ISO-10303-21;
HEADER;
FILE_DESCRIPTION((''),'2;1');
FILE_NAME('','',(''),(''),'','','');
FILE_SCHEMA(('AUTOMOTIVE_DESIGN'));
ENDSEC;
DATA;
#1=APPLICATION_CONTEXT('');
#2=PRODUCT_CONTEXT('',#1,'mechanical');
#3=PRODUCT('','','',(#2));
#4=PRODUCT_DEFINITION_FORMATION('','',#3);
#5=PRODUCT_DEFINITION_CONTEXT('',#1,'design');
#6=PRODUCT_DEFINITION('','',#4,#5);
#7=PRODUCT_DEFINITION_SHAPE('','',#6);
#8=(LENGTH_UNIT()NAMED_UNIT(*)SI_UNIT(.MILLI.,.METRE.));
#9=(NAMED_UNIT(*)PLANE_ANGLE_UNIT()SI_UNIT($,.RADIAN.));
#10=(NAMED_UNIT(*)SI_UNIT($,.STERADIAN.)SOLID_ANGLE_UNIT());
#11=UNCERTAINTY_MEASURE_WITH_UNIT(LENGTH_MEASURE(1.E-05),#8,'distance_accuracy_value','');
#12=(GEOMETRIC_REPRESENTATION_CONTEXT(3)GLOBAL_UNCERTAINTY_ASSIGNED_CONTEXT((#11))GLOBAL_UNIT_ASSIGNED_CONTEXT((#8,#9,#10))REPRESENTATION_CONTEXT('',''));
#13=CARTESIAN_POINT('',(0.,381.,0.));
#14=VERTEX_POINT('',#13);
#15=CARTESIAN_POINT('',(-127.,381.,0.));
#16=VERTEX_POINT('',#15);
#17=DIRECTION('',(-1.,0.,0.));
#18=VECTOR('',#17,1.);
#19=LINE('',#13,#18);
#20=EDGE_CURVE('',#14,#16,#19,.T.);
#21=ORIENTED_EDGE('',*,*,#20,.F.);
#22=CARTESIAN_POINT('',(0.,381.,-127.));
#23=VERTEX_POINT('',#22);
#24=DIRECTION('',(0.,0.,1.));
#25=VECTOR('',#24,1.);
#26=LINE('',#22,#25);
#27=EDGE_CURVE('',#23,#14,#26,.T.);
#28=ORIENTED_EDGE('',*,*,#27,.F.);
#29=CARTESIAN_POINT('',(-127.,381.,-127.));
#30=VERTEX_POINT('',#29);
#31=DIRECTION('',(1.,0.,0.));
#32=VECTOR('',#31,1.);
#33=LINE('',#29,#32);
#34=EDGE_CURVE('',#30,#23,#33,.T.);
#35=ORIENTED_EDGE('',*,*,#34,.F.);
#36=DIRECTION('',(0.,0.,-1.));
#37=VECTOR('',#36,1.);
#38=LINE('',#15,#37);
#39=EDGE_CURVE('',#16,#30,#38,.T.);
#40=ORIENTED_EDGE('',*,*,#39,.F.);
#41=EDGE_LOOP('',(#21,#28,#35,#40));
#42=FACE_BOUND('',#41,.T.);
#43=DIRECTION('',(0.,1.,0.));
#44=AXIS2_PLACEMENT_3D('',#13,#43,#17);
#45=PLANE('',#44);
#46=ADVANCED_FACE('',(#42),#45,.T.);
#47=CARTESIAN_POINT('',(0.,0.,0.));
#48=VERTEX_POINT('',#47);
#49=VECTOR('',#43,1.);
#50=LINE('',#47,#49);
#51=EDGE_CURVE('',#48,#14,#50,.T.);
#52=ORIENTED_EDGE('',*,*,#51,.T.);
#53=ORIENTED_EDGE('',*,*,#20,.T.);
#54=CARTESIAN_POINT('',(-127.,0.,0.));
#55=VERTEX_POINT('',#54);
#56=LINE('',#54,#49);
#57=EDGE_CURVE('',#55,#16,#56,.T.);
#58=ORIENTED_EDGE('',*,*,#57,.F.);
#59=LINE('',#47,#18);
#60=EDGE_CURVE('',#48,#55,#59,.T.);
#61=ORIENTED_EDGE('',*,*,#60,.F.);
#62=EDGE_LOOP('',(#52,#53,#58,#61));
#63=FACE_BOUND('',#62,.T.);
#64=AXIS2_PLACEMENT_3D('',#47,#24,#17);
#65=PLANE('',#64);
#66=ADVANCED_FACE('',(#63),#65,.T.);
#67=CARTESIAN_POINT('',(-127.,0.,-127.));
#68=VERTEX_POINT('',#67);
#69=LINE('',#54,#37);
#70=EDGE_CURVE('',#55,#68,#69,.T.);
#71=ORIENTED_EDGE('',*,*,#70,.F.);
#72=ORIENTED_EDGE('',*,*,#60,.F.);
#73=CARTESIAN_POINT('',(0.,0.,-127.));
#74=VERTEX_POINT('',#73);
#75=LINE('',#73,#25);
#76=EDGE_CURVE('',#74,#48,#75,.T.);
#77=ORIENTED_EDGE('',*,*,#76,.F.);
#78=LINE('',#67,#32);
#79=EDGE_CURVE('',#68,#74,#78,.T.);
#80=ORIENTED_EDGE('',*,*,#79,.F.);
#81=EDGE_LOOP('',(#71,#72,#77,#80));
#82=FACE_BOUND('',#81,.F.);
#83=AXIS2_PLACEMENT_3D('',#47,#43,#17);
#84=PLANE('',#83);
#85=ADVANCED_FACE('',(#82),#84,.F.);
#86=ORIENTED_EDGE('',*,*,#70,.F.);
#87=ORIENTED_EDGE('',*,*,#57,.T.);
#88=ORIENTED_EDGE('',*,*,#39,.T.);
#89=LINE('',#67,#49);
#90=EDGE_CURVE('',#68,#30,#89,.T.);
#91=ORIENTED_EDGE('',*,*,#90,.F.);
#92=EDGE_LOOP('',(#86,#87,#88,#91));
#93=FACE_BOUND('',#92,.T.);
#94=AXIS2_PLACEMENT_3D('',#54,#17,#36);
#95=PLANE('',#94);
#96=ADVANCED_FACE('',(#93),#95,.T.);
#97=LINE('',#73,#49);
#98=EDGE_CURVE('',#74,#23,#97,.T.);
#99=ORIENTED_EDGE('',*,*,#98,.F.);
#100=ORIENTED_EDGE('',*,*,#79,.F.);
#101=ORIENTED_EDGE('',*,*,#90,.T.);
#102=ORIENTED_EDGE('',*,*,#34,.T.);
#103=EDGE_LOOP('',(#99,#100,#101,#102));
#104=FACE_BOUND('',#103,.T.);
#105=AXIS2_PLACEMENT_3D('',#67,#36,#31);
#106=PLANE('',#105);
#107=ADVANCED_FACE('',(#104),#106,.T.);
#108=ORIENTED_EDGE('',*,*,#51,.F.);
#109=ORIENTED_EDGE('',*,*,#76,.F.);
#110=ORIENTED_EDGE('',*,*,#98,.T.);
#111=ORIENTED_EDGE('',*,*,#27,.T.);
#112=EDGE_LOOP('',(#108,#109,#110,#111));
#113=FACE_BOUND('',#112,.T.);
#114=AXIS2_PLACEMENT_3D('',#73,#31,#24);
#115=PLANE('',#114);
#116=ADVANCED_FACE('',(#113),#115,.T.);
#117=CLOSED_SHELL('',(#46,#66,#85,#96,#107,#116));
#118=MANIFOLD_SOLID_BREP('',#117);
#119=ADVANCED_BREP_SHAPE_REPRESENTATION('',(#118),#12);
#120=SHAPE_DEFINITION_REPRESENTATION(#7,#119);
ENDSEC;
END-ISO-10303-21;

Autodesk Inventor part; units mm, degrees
ref_plane "YZ Plane" through (0, 0, 0) normal (1, 0, 0) x (0, 1, 0)
ref_plane "XZ Plane" through (0, 0, 0) normal (0, 1, 0) x (-1, 0, 0)
ref_plane "XY Plane" through (0, 0, 0) normal (0, 0, 1) x (1, 0, 0)
sketch "Sketch1" plane through (0, 0, 0) normal (0, 1, 0) x (-1, 0, 0)
  line L0 (0, 0) -> (127, 0)
  line L1 (127, 0) -> (127, -127)
  line L2 (127, -127) -> (0, -127)
  line L3 (0, -127) -> (0, 0)
  dimension "d0" = 127
  dimension "d1" = 127
extrude "Extrusion1" add sketch "Sketch1" along normal blind 381
properties part number "NestArmP1-ver1-1111-2021"
